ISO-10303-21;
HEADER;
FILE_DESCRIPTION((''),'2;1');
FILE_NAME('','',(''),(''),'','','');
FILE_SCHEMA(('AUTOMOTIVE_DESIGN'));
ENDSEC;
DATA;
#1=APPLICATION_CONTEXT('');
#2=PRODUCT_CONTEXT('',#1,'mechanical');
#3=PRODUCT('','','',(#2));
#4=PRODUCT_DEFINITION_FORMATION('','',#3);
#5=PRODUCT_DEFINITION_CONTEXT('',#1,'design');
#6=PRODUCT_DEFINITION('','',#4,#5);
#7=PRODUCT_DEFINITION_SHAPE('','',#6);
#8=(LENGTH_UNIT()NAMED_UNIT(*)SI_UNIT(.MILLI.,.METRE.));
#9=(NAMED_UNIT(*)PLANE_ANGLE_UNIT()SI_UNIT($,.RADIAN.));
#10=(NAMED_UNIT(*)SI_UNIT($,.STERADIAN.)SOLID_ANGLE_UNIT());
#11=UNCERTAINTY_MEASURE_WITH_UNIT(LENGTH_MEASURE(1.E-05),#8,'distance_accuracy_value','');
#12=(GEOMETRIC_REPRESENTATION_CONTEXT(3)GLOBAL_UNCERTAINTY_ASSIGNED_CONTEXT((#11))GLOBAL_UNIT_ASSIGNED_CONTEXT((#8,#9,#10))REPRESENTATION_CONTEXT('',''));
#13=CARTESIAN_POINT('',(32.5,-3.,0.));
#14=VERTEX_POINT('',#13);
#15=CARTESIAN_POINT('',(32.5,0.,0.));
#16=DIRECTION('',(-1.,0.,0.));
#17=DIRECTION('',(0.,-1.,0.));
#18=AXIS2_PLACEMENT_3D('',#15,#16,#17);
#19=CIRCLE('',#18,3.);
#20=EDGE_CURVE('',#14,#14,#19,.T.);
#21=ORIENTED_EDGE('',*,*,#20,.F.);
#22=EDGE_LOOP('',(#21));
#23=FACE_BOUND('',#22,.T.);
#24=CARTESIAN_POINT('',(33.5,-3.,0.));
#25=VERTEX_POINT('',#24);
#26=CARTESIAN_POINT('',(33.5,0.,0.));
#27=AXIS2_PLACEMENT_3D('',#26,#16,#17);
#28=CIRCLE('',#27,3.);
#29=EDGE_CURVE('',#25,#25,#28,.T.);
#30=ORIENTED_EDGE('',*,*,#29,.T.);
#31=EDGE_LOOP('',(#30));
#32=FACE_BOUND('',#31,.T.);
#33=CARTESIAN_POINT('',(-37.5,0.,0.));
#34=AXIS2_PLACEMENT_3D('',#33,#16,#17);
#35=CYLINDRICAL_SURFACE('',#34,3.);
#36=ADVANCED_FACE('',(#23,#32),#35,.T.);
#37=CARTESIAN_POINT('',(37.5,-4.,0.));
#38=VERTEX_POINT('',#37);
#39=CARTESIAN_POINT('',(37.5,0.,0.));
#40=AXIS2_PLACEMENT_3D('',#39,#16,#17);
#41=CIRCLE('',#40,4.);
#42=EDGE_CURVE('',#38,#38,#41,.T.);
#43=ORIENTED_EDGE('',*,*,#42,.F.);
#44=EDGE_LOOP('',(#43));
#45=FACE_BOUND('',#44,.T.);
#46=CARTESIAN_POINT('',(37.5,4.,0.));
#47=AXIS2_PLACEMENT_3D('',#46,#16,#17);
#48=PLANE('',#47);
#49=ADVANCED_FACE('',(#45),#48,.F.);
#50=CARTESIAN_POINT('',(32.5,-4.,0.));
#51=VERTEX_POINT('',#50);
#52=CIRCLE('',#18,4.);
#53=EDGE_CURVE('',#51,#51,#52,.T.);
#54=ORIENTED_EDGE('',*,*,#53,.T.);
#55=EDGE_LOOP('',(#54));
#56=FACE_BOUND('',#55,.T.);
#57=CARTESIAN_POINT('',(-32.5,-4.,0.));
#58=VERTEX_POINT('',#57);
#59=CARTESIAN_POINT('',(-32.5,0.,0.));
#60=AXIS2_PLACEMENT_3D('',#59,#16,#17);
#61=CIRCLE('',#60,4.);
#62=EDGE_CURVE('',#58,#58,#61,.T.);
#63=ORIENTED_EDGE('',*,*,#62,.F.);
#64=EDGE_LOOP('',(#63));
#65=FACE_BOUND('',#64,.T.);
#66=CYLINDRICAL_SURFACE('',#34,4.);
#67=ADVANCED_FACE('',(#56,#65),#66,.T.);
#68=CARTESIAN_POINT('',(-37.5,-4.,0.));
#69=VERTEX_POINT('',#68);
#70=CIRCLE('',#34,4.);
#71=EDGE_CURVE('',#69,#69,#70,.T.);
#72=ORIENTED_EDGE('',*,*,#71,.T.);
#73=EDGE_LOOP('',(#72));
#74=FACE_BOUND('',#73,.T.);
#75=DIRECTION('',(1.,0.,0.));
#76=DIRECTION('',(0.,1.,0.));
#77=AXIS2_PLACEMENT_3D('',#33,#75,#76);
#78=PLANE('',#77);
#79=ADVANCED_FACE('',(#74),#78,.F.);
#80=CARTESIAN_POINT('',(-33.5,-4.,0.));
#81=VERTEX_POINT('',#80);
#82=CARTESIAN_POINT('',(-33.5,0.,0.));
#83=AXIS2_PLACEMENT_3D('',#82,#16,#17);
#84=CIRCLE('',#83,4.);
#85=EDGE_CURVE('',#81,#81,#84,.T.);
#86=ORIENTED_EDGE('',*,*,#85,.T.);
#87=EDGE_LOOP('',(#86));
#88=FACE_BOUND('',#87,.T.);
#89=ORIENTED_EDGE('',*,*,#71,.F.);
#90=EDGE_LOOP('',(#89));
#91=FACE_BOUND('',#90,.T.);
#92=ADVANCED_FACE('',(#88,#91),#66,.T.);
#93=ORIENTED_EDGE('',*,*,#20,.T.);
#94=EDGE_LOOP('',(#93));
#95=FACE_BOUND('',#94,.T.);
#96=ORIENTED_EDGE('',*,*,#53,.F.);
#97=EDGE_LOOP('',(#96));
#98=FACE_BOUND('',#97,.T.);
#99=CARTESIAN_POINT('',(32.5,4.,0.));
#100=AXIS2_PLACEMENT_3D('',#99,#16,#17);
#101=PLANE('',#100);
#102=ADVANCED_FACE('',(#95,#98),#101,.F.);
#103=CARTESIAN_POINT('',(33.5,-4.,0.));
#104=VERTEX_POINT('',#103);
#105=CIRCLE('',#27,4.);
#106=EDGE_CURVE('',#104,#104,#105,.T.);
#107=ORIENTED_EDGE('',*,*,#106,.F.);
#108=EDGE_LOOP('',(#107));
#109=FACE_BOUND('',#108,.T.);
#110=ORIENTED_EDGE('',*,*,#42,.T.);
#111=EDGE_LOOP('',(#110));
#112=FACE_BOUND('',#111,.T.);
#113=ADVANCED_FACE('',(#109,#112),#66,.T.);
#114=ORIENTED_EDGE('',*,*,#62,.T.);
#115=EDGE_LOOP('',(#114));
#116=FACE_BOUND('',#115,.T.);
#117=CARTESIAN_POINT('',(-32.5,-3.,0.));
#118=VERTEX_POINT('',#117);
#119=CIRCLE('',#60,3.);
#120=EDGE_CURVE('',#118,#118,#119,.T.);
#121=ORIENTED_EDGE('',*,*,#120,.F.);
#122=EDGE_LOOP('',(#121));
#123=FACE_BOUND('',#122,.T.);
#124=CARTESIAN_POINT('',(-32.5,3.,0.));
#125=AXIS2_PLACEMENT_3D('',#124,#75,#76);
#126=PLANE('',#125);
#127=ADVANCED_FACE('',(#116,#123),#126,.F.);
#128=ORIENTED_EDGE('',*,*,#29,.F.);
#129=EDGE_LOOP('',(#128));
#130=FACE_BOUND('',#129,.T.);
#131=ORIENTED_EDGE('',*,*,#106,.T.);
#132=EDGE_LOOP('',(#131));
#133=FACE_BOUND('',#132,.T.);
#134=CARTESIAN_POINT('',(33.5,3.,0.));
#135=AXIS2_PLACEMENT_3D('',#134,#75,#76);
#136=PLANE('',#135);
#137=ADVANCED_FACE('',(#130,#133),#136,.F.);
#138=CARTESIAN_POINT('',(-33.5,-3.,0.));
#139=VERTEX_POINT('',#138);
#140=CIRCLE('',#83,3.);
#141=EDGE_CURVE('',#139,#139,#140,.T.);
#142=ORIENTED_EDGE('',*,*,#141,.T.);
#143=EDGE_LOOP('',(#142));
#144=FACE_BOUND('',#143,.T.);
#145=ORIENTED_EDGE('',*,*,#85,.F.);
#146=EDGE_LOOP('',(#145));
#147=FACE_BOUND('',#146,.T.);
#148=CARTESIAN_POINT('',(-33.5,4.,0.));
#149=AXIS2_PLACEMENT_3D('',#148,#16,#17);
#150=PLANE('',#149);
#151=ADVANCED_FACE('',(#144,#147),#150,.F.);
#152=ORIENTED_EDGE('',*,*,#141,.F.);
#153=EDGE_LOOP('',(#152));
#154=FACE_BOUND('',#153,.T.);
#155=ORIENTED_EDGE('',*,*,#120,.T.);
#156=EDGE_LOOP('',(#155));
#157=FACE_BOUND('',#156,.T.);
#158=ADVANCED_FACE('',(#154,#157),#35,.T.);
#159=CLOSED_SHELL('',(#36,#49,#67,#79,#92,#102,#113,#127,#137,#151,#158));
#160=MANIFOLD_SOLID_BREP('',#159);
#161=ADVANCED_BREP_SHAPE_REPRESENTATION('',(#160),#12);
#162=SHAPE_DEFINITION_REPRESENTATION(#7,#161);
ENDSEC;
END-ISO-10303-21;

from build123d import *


with BuildPart() as part:
    # Croquis1 → Revolución1 (revolve)
    with BuildSketch(Plane.XY, mode=Mode.PRIVATE) as revoluci_n1_sk:
        Polygon((-37.5, 0), (-37.5, 4), (-33.5, 4), (-33.5, 3), (-32.5, 3), (-32.5, 4), (32.5, 4), (32.5, 3), (33.5, 3), (33.5, 4), (37.5, 4), (37.5, 0), align=None)
    revolve(revoluci_n1_sk.sketch.rotate(Axis((-37.5, 0, 0), (1, 0, 0)), 180), axis=Axis((-37.5, 0, 0), (1, 0, 0)))


solid = part.part
